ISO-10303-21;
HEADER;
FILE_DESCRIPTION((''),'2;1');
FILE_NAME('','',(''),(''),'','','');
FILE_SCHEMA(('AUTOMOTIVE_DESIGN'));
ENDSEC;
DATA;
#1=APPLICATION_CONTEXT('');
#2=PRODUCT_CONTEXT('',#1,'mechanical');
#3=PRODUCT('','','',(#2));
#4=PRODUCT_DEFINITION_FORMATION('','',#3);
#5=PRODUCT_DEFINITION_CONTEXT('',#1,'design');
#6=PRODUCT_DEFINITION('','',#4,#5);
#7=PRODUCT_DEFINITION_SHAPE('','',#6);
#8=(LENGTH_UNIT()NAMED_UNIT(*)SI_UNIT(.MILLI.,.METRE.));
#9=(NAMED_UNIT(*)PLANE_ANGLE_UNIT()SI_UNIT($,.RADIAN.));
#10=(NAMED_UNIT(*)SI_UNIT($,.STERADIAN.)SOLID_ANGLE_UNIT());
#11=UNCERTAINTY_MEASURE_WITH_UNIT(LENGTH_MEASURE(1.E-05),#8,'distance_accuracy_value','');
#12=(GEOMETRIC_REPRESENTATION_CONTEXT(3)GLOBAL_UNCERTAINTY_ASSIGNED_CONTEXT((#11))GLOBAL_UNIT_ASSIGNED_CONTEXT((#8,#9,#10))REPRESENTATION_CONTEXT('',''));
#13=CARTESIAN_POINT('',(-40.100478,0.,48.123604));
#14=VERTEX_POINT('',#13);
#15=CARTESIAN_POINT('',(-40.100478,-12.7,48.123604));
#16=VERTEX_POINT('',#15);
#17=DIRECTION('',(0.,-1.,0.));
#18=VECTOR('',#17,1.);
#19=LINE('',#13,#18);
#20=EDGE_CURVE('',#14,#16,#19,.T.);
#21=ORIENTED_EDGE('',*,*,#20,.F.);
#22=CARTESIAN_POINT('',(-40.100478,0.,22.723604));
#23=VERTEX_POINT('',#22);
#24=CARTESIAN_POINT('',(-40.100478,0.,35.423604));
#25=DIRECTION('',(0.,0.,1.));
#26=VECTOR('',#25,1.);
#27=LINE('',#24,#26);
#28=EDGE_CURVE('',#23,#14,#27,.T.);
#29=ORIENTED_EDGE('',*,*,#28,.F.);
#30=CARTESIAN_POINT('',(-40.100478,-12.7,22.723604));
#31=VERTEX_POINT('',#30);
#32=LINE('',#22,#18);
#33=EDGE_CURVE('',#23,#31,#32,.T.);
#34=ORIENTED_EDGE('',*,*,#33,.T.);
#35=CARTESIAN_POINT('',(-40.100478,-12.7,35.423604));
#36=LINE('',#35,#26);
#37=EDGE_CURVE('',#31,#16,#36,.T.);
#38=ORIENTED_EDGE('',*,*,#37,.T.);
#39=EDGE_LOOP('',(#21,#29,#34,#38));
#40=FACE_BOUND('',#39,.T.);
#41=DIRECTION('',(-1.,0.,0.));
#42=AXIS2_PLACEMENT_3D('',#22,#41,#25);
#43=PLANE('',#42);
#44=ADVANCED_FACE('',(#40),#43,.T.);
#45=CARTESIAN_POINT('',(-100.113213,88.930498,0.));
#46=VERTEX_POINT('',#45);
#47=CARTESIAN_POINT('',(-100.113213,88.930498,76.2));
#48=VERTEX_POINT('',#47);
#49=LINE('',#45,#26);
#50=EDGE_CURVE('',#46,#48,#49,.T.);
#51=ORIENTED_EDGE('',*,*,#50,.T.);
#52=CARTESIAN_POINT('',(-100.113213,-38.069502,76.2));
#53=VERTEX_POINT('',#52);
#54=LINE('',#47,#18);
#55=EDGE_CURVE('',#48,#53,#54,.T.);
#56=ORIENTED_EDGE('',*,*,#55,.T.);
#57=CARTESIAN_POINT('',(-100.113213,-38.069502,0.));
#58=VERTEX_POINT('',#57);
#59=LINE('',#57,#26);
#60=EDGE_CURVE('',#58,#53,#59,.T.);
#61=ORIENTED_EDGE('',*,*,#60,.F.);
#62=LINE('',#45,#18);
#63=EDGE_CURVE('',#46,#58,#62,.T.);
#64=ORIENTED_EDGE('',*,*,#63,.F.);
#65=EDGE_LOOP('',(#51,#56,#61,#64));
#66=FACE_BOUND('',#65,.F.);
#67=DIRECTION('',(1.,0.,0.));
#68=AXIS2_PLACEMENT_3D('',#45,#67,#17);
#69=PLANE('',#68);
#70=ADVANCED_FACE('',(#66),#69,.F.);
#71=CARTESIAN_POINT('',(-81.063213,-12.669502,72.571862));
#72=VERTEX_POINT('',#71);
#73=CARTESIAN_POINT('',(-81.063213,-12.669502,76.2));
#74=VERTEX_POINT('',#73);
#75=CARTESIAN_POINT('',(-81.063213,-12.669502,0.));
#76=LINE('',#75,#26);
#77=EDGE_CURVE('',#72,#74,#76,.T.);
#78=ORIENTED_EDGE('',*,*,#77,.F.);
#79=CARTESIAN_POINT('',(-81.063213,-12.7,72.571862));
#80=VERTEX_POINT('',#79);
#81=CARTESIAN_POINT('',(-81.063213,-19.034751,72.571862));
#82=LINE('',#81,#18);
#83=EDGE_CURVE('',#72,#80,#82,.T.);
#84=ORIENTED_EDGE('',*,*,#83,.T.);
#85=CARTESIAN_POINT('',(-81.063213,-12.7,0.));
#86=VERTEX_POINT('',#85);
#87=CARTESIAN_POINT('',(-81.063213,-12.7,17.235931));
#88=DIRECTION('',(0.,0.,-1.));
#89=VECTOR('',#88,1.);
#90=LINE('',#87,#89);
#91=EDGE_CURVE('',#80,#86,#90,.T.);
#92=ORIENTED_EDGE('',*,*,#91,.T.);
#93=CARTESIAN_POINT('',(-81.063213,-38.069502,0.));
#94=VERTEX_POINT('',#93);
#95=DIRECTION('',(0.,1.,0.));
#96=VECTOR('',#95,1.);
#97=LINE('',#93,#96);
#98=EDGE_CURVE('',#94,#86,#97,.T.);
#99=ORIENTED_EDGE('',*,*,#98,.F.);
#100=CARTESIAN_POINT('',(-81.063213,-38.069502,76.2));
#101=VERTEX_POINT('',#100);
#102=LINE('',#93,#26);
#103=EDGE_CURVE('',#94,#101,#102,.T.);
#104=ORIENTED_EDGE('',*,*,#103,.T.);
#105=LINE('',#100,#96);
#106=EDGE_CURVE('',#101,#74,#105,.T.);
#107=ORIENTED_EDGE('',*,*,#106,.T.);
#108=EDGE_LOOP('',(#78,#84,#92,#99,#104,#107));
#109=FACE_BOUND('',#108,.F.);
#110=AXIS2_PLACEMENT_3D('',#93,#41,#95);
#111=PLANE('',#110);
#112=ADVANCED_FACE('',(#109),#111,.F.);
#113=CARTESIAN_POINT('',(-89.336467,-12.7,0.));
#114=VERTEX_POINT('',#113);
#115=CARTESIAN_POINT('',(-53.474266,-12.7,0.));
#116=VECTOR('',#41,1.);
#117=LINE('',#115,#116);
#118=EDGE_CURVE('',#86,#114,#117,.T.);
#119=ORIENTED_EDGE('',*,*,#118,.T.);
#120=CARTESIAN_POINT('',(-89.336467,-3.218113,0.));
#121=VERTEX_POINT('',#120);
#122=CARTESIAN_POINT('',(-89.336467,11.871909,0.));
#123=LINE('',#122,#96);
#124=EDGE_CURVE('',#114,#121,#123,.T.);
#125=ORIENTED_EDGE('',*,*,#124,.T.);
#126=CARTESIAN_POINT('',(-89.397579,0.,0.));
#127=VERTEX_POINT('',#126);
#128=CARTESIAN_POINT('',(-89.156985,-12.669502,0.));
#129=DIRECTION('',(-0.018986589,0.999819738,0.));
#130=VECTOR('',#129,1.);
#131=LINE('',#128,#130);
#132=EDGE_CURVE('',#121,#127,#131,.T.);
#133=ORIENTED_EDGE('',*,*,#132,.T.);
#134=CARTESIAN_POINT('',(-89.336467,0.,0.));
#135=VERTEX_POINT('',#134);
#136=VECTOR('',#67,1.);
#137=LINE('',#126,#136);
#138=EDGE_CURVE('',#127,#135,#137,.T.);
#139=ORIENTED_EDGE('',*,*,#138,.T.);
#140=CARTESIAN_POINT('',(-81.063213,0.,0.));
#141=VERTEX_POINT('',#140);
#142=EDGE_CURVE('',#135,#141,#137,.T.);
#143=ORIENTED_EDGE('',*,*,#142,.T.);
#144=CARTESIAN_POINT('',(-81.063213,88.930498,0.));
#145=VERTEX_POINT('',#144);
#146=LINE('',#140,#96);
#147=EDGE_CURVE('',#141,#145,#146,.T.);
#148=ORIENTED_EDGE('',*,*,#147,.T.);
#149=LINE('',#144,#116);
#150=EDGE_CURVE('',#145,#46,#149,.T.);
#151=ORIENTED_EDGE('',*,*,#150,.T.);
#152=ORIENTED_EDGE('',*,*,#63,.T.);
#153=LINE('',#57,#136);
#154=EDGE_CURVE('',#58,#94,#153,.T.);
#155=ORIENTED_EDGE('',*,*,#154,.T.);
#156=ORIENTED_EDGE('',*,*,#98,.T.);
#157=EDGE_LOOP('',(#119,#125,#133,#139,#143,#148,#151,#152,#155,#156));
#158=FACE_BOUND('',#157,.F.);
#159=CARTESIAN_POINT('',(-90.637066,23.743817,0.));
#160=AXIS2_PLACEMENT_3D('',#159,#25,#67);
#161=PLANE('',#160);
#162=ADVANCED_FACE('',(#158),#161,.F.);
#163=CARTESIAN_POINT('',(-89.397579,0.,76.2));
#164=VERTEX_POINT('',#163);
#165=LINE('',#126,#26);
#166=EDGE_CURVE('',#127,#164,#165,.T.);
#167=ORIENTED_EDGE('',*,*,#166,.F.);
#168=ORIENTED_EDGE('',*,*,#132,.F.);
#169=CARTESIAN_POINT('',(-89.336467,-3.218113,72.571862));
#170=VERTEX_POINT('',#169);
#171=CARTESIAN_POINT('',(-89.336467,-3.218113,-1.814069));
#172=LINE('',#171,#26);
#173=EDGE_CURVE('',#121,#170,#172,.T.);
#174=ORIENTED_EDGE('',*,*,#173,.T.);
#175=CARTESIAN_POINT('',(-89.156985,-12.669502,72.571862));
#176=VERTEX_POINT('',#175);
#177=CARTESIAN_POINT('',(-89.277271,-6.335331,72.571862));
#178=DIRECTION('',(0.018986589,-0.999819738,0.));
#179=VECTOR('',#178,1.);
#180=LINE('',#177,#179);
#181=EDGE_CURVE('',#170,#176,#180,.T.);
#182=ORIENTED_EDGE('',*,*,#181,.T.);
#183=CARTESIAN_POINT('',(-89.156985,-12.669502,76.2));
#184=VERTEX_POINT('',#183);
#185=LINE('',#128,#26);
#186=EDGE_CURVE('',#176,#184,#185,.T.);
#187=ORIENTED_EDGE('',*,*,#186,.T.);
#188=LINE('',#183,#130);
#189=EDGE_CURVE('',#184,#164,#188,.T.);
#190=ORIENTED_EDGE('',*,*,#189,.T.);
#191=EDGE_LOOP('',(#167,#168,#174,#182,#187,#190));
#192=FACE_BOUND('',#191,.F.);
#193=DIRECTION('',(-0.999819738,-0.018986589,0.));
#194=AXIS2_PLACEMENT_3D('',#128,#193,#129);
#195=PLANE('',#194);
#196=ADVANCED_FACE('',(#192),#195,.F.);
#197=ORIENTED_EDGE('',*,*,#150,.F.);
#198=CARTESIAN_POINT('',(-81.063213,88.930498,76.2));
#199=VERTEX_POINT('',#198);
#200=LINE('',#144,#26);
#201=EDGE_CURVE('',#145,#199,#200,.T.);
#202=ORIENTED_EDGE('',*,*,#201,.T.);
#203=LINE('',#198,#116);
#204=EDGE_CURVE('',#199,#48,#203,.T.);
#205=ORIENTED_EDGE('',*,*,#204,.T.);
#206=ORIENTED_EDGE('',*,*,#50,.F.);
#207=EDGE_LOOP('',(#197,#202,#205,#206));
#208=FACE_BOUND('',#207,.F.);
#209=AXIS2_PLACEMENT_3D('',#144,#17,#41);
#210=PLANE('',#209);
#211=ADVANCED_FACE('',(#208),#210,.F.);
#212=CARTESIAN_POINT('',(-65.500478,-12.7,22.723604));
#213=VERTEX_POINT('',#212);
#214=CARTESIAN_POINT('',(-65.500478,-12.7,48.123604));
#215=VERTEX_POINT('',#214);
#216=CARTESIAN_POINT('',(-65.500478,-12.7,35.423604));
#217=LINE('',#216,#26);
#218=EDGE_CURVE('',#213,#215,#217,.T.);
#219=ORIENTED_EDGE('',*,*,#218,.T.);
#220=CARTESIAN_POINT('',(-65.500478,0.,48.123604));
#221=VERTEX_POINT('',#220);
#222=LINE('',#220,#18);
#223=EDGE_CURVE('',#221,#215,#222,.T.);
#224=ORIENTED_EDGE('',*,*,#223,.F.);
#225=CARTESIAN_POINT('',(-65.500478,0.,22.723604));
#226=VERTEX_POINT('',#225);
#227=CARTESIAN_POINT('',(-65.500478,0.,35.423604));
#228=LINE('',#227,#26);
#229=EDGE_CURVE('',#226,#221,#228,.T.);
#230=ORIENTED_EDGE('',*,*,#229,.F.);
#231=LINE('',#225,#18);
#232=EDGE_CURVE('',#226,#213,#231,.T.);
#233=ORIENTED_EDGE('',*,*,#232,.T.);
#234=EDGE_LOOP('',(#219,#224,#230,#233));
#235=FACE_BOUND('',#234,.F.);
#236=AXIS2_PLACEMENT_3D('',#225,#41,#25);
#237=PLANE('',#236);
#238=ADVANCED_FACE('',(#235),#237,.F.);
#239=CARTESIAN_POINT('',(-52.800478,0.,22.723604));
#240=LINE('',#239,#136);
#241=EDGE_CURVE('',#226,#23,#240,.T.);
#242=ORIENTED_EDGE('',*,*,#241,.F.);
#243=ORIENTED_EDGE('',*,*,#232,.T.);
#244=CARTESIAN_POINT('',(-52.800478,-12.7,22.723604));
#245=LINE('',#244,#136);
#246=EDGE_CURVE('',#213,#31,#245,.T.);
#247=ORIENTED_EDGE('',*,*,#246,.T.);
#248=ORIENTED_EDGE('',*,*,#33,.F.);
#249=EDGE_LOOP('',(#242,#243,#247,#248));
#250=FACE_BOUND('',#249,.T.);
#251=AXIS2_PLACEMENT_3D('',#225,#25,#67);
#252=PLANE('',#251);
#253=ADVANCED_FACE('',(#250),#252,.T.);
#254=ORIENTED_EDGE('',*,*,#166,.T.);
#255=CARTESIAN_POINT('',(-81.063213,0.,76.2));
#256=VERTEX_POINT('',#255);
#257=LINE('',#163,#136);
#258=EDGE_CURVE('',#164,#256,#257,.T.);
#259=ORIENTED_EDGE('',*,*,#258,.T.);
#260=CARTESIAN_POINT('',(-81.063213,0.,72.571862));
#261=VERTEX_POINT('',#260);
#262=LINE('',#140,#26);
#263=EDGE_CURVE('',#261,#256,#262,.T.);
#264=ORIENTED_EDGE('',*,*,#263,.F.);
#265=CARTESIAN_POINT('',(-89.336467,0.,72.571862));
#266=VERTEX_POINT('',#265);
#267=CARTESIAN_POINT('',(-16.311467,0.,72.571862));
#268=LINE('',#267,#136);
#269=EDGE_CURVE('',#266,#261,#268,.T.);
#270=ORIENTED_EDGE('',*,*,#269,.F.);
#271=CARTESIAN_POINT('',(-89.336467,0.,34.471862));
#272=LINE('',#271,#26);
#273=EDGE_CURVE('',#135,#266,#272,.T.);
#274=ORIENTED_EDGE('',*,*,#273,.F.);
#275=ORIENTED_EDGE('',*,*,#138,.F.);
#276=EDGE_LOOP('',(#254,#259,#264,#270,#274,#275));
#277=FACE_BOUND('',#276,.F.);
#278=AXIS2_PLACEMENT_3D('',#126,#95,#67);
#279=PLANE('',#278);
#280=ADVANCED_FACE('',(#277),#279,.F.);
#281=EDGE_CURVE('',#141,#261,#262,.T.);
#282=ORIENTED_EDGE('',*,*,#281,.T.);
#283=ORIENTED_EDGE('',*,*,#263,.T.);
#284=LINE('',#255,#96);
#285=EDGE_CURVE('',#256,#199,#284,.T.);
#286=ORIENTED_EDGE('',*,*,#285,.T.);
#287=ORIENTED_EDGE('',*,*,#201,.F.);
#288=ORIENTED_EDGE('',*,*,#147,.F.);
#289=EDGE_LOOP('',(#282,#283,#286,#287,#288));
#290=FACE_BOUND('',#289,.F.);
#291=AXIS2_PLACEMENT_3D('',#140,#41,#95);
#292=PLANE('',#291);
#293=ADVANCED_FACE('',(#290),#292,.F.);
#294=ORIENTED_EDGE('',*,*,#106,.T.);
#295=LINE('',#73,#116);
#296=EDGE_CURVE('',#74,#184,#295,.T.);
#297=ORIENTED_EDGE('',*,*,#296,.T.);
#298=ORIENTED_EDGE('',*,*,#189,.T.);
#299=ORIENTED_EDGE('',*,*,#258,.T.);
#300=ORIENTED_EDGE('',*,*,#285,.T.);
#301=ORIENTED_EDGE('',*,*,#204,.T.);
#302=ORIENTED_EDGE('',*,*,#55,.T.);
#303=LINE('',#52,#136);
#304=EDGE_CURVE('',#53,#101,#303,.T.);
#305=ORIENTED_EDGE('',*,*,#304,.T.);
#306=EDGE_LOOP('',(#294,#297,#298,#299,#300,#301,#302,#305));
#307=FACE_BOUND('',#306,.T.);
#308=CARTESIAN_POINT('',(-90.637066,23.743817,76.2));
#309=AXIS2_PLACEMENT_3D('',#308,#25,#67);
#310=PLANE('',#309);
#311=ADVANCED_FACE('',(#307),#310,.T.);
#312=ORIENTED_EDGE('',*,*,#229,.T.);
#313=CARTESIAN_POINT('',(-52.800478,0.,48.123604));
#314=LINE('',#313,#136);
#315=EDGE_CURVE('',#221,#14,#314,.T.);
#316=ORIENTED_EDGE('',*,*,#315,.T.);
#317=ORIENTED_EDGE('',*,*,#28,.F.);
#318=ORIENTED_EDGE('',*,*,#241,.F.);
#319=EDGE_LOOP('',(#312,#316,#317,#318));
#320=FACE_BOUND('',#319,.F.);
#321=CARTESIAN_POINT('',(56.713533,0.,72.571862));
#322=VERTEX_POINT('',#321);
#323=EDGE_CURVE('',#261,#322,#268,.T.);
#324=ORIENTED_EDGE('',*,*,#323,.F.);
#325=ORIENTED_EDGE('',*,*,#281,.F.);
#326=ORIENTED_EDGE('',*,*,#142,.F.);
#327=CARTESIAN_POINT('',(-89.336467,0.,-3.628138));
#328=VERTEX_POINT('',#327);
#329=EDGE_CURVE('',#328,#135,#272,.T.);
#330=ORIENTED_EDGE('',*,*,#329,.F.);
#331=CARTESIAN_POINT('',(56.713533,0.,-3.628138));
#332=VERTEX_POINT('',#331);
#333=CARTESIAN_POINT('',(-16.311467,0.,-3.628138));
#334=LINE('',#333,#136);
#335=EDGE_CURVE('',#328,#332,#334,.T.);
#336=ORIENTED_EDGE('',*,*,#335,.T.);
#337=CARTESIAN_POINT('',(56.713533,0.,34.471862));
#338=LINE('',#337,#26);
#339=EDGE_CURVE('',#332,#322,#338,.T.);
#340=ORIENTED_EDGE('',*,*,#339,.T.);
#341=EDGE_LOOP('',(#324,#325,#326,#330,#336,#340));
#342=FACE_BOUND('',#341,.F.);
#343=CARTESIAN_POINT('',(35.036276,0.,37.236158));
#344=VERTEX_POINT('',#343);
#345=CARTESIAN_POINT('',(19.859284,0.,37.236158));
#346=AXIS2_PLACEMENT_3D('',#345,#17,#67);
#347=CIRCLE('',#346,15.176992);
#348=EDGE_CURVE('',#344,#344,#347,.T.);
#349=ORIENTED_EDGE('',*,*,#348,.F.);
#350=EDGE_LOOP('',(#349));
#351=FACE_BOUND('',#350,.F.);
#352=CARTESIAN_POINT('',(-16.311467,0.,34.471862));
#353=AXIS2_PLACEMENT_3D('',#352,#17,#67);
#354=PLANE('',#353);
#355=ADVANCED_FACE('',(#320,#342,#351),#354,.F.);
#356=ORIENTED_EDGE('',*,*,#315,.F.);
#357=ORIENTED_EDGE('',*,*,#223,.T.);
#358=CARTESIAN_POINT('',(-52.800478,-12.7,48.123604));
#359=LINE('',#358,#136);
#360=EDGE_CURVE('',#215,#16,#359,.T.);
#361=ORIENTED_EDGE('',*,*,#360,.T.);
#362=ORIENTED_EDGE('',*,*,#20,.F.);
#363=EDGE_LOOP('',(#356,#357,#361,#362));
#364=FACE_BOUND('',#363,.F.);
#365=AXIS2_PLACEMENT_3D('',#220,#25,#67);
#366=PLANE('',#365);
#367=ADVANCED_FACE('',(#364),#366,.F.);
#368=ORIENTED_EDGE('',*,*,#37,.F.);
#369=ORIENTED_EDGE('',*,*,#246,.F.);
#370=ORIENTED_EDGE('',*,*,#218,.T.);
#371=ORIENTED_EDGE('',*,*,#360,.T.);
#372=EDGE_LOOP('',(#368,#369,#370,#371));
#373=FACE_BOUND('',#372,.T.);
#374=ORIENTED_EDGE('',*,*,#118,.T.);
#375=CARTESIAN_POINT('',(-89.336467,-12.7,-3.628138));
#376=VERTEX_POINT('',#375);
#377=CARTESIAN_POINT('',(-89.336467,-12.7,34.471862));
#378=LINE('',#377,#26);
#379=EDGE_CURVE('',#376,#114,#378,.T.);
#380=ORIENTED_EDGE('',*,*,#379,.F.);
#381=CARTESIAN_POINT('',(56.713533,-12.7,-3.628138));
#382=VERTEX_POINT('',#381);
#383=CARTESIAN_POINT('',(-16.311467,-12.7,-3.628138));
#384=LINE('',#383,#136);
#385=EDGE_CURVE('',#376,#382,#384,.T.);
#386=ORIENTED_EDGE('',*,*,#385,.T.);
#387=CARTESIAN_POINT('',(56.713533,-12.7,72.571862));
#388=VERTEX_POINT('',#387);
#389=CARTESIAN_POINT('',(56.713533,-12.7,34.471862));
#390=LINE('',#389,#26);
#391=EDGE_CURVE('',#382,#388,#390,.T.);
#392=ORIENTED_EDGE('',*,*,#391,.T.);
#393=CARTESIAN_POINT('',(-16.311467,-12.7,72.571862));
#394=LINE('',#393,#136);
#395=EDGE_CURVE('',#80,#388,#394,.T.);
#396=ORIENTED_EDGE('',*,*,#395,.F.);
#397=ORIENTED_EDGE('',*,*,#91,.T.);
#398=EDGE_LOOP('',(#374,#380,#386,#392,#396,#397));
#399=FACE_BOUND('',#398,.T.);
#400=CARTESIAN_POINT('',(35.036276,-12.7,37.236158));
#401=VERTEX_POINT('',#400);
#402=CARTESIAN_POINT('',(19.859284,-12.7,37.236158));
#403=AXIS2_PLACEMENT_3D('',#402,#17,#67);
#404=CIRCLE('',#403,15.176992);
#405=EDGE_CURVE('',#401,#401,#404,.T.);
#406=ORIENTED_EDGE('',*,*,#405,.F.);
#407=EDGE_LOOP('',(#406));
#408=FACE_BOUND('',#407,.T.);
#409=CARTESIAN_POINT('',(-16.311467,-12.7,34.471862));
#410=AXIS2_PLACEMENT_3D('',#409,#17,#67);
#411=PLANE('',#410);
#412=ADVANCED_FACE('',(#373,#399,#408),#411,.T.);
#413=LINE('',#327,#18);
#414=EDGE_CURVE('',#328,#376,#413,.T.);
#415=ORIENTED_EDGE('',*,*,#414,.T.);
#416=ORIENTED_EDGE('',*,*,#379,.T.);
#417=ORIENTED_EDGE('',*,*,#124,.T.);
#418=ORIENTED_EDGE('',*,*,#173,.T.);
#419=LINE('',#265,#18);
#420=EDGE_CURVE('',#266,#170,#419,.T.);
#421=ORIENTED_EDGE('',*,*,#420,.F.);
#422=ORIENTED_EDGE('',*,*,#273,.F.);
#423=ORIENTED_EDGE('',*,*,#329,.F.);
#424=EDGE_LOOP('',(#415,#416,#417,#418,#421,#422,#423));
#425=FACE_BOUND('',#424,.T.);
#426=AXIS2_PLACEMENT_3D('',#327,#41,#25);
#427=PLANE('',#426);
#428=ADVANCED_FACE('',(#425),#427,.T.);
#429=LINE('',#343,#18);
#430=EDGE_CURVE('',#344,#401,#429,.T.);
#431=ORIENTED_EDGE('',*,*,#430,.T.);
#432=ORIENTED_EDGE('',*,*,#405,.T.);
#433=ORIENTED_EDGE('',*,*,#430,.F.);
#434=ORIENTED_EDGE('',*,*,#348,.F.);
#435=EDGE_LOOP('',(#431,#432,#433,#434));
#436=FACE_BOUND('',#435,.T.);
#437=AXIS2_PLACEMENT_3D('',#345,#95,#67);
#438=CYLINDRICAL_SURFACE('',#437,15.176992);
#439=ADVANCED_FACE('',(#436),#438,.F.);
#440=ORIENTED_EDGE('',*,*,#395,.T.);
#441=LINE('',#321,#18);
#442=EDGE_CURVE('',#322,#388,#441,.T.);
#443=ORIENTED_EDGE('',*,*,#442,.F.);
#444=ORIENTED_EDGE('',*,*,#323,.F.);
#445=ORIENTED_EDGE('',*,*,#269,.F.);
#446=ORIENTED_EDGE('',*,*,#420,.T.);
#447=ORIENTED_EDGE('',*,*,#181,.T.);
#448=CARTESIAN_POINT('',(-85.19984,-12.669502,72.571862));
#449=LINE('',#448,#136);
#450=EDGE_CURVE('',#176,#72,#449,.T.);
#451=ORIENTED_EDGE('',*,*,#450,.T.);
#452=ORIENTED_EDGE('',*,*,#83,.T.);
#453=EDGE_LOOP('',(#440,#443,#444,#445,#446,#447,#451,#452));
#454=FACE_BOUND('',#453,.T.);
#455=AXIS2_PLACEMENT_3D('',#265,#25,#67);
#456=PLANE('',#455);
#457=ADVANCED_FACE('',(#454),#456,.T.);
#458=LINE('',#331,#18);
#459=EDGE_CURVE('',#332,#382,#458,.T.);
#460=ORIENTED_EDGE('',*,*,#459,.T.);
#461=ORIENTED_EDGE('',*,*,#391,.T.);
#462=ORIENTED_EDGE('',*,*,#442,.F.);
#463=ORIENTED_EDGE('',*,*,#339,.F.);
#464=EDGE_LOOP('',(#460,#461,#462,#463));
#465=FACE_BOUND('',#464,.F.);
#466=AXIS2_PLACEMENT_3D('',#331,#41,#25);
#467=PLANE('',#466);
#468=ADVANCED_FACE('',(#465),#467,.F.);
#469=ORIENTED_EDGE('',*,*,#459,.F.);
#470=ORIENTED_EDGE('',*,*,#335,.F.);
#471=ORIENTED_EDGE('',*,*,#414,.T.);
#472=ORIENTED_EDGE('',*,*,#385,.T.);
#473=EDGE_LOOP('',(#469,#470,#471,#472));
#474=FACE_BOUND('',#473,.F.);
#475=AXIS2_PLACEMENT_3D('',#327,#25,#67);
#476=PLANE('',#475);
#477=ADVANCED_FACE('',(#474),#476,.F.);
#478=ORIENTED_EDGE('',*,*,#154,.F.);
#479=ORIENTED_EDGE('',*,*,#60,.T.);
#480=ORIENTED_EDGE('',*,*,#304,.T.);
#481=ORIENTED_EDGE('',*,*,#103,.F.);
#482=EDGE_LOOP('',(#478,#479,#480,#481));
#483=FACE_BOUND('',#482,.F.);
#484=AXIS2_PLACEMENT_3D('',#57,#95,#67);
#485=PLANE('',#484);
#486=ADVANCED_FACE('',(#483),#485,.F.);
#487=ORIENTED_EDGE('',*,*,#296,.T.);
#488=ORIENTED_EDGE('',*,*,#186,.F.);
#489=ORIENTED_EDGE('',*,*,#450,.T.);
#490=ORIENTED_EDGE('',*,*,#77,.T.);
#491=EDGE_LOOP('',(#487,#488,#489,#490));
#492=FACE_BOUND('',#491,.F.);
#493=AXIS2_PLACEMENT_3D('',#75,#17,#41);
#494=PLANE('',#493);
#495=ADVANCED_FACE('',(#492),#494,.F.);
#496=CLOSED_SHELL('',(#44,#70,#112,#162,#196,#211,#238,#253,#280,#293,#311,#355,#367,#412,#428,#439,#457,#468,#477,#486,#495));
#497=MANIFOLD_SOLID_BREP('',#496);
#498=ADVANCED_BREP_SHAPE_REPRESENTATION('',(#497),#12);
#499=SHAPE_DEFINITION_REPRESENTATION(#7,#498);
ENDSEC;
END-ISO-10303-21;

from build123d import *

# Parameters (mm, degrees)
F0_W     = 146.05
F0_H     = 76.2
F0_W_2   = 25.4
F0_H_2   = 25.4
F0_R     = 15.176992
F1_DEPTH = 12.7
F3_DEPTH = 76.2


with BuildPart() as f1:
    # F0 (on Front) → F1 (new body)
    with BuildSketch(Plane.XZ):
        with Locations((-16.311467, 34.471862)):
            Rectangle(F0_W, F0_H)
        with Locations((-52.800478, 35.423604)):
            Rectangle(F0_W_2, F0_H_2, mode=Mode.SUBTRACT)
        with Locations((19.859284, 37.236158)):
            Circle(F0_R, mode=Mode.SUBTRACT)
    extrude(amount=F1_DEPTH)

    # F2 (on Top) → F3 (join)
    with BuildSketch(Plane.XY):
        Polygon((-100.113213, -38.069502), (-81.063213, -38.069502), (-81.063213, -12.669502), (-89.156985, -12.669502), (-89.397579, 0), (-81.063213, 0), (-81.063213, 88.930498), (-100.113213, 88.930498), align=None)
    extrude(amount=F3_DEPTH)


solid = f1.part
